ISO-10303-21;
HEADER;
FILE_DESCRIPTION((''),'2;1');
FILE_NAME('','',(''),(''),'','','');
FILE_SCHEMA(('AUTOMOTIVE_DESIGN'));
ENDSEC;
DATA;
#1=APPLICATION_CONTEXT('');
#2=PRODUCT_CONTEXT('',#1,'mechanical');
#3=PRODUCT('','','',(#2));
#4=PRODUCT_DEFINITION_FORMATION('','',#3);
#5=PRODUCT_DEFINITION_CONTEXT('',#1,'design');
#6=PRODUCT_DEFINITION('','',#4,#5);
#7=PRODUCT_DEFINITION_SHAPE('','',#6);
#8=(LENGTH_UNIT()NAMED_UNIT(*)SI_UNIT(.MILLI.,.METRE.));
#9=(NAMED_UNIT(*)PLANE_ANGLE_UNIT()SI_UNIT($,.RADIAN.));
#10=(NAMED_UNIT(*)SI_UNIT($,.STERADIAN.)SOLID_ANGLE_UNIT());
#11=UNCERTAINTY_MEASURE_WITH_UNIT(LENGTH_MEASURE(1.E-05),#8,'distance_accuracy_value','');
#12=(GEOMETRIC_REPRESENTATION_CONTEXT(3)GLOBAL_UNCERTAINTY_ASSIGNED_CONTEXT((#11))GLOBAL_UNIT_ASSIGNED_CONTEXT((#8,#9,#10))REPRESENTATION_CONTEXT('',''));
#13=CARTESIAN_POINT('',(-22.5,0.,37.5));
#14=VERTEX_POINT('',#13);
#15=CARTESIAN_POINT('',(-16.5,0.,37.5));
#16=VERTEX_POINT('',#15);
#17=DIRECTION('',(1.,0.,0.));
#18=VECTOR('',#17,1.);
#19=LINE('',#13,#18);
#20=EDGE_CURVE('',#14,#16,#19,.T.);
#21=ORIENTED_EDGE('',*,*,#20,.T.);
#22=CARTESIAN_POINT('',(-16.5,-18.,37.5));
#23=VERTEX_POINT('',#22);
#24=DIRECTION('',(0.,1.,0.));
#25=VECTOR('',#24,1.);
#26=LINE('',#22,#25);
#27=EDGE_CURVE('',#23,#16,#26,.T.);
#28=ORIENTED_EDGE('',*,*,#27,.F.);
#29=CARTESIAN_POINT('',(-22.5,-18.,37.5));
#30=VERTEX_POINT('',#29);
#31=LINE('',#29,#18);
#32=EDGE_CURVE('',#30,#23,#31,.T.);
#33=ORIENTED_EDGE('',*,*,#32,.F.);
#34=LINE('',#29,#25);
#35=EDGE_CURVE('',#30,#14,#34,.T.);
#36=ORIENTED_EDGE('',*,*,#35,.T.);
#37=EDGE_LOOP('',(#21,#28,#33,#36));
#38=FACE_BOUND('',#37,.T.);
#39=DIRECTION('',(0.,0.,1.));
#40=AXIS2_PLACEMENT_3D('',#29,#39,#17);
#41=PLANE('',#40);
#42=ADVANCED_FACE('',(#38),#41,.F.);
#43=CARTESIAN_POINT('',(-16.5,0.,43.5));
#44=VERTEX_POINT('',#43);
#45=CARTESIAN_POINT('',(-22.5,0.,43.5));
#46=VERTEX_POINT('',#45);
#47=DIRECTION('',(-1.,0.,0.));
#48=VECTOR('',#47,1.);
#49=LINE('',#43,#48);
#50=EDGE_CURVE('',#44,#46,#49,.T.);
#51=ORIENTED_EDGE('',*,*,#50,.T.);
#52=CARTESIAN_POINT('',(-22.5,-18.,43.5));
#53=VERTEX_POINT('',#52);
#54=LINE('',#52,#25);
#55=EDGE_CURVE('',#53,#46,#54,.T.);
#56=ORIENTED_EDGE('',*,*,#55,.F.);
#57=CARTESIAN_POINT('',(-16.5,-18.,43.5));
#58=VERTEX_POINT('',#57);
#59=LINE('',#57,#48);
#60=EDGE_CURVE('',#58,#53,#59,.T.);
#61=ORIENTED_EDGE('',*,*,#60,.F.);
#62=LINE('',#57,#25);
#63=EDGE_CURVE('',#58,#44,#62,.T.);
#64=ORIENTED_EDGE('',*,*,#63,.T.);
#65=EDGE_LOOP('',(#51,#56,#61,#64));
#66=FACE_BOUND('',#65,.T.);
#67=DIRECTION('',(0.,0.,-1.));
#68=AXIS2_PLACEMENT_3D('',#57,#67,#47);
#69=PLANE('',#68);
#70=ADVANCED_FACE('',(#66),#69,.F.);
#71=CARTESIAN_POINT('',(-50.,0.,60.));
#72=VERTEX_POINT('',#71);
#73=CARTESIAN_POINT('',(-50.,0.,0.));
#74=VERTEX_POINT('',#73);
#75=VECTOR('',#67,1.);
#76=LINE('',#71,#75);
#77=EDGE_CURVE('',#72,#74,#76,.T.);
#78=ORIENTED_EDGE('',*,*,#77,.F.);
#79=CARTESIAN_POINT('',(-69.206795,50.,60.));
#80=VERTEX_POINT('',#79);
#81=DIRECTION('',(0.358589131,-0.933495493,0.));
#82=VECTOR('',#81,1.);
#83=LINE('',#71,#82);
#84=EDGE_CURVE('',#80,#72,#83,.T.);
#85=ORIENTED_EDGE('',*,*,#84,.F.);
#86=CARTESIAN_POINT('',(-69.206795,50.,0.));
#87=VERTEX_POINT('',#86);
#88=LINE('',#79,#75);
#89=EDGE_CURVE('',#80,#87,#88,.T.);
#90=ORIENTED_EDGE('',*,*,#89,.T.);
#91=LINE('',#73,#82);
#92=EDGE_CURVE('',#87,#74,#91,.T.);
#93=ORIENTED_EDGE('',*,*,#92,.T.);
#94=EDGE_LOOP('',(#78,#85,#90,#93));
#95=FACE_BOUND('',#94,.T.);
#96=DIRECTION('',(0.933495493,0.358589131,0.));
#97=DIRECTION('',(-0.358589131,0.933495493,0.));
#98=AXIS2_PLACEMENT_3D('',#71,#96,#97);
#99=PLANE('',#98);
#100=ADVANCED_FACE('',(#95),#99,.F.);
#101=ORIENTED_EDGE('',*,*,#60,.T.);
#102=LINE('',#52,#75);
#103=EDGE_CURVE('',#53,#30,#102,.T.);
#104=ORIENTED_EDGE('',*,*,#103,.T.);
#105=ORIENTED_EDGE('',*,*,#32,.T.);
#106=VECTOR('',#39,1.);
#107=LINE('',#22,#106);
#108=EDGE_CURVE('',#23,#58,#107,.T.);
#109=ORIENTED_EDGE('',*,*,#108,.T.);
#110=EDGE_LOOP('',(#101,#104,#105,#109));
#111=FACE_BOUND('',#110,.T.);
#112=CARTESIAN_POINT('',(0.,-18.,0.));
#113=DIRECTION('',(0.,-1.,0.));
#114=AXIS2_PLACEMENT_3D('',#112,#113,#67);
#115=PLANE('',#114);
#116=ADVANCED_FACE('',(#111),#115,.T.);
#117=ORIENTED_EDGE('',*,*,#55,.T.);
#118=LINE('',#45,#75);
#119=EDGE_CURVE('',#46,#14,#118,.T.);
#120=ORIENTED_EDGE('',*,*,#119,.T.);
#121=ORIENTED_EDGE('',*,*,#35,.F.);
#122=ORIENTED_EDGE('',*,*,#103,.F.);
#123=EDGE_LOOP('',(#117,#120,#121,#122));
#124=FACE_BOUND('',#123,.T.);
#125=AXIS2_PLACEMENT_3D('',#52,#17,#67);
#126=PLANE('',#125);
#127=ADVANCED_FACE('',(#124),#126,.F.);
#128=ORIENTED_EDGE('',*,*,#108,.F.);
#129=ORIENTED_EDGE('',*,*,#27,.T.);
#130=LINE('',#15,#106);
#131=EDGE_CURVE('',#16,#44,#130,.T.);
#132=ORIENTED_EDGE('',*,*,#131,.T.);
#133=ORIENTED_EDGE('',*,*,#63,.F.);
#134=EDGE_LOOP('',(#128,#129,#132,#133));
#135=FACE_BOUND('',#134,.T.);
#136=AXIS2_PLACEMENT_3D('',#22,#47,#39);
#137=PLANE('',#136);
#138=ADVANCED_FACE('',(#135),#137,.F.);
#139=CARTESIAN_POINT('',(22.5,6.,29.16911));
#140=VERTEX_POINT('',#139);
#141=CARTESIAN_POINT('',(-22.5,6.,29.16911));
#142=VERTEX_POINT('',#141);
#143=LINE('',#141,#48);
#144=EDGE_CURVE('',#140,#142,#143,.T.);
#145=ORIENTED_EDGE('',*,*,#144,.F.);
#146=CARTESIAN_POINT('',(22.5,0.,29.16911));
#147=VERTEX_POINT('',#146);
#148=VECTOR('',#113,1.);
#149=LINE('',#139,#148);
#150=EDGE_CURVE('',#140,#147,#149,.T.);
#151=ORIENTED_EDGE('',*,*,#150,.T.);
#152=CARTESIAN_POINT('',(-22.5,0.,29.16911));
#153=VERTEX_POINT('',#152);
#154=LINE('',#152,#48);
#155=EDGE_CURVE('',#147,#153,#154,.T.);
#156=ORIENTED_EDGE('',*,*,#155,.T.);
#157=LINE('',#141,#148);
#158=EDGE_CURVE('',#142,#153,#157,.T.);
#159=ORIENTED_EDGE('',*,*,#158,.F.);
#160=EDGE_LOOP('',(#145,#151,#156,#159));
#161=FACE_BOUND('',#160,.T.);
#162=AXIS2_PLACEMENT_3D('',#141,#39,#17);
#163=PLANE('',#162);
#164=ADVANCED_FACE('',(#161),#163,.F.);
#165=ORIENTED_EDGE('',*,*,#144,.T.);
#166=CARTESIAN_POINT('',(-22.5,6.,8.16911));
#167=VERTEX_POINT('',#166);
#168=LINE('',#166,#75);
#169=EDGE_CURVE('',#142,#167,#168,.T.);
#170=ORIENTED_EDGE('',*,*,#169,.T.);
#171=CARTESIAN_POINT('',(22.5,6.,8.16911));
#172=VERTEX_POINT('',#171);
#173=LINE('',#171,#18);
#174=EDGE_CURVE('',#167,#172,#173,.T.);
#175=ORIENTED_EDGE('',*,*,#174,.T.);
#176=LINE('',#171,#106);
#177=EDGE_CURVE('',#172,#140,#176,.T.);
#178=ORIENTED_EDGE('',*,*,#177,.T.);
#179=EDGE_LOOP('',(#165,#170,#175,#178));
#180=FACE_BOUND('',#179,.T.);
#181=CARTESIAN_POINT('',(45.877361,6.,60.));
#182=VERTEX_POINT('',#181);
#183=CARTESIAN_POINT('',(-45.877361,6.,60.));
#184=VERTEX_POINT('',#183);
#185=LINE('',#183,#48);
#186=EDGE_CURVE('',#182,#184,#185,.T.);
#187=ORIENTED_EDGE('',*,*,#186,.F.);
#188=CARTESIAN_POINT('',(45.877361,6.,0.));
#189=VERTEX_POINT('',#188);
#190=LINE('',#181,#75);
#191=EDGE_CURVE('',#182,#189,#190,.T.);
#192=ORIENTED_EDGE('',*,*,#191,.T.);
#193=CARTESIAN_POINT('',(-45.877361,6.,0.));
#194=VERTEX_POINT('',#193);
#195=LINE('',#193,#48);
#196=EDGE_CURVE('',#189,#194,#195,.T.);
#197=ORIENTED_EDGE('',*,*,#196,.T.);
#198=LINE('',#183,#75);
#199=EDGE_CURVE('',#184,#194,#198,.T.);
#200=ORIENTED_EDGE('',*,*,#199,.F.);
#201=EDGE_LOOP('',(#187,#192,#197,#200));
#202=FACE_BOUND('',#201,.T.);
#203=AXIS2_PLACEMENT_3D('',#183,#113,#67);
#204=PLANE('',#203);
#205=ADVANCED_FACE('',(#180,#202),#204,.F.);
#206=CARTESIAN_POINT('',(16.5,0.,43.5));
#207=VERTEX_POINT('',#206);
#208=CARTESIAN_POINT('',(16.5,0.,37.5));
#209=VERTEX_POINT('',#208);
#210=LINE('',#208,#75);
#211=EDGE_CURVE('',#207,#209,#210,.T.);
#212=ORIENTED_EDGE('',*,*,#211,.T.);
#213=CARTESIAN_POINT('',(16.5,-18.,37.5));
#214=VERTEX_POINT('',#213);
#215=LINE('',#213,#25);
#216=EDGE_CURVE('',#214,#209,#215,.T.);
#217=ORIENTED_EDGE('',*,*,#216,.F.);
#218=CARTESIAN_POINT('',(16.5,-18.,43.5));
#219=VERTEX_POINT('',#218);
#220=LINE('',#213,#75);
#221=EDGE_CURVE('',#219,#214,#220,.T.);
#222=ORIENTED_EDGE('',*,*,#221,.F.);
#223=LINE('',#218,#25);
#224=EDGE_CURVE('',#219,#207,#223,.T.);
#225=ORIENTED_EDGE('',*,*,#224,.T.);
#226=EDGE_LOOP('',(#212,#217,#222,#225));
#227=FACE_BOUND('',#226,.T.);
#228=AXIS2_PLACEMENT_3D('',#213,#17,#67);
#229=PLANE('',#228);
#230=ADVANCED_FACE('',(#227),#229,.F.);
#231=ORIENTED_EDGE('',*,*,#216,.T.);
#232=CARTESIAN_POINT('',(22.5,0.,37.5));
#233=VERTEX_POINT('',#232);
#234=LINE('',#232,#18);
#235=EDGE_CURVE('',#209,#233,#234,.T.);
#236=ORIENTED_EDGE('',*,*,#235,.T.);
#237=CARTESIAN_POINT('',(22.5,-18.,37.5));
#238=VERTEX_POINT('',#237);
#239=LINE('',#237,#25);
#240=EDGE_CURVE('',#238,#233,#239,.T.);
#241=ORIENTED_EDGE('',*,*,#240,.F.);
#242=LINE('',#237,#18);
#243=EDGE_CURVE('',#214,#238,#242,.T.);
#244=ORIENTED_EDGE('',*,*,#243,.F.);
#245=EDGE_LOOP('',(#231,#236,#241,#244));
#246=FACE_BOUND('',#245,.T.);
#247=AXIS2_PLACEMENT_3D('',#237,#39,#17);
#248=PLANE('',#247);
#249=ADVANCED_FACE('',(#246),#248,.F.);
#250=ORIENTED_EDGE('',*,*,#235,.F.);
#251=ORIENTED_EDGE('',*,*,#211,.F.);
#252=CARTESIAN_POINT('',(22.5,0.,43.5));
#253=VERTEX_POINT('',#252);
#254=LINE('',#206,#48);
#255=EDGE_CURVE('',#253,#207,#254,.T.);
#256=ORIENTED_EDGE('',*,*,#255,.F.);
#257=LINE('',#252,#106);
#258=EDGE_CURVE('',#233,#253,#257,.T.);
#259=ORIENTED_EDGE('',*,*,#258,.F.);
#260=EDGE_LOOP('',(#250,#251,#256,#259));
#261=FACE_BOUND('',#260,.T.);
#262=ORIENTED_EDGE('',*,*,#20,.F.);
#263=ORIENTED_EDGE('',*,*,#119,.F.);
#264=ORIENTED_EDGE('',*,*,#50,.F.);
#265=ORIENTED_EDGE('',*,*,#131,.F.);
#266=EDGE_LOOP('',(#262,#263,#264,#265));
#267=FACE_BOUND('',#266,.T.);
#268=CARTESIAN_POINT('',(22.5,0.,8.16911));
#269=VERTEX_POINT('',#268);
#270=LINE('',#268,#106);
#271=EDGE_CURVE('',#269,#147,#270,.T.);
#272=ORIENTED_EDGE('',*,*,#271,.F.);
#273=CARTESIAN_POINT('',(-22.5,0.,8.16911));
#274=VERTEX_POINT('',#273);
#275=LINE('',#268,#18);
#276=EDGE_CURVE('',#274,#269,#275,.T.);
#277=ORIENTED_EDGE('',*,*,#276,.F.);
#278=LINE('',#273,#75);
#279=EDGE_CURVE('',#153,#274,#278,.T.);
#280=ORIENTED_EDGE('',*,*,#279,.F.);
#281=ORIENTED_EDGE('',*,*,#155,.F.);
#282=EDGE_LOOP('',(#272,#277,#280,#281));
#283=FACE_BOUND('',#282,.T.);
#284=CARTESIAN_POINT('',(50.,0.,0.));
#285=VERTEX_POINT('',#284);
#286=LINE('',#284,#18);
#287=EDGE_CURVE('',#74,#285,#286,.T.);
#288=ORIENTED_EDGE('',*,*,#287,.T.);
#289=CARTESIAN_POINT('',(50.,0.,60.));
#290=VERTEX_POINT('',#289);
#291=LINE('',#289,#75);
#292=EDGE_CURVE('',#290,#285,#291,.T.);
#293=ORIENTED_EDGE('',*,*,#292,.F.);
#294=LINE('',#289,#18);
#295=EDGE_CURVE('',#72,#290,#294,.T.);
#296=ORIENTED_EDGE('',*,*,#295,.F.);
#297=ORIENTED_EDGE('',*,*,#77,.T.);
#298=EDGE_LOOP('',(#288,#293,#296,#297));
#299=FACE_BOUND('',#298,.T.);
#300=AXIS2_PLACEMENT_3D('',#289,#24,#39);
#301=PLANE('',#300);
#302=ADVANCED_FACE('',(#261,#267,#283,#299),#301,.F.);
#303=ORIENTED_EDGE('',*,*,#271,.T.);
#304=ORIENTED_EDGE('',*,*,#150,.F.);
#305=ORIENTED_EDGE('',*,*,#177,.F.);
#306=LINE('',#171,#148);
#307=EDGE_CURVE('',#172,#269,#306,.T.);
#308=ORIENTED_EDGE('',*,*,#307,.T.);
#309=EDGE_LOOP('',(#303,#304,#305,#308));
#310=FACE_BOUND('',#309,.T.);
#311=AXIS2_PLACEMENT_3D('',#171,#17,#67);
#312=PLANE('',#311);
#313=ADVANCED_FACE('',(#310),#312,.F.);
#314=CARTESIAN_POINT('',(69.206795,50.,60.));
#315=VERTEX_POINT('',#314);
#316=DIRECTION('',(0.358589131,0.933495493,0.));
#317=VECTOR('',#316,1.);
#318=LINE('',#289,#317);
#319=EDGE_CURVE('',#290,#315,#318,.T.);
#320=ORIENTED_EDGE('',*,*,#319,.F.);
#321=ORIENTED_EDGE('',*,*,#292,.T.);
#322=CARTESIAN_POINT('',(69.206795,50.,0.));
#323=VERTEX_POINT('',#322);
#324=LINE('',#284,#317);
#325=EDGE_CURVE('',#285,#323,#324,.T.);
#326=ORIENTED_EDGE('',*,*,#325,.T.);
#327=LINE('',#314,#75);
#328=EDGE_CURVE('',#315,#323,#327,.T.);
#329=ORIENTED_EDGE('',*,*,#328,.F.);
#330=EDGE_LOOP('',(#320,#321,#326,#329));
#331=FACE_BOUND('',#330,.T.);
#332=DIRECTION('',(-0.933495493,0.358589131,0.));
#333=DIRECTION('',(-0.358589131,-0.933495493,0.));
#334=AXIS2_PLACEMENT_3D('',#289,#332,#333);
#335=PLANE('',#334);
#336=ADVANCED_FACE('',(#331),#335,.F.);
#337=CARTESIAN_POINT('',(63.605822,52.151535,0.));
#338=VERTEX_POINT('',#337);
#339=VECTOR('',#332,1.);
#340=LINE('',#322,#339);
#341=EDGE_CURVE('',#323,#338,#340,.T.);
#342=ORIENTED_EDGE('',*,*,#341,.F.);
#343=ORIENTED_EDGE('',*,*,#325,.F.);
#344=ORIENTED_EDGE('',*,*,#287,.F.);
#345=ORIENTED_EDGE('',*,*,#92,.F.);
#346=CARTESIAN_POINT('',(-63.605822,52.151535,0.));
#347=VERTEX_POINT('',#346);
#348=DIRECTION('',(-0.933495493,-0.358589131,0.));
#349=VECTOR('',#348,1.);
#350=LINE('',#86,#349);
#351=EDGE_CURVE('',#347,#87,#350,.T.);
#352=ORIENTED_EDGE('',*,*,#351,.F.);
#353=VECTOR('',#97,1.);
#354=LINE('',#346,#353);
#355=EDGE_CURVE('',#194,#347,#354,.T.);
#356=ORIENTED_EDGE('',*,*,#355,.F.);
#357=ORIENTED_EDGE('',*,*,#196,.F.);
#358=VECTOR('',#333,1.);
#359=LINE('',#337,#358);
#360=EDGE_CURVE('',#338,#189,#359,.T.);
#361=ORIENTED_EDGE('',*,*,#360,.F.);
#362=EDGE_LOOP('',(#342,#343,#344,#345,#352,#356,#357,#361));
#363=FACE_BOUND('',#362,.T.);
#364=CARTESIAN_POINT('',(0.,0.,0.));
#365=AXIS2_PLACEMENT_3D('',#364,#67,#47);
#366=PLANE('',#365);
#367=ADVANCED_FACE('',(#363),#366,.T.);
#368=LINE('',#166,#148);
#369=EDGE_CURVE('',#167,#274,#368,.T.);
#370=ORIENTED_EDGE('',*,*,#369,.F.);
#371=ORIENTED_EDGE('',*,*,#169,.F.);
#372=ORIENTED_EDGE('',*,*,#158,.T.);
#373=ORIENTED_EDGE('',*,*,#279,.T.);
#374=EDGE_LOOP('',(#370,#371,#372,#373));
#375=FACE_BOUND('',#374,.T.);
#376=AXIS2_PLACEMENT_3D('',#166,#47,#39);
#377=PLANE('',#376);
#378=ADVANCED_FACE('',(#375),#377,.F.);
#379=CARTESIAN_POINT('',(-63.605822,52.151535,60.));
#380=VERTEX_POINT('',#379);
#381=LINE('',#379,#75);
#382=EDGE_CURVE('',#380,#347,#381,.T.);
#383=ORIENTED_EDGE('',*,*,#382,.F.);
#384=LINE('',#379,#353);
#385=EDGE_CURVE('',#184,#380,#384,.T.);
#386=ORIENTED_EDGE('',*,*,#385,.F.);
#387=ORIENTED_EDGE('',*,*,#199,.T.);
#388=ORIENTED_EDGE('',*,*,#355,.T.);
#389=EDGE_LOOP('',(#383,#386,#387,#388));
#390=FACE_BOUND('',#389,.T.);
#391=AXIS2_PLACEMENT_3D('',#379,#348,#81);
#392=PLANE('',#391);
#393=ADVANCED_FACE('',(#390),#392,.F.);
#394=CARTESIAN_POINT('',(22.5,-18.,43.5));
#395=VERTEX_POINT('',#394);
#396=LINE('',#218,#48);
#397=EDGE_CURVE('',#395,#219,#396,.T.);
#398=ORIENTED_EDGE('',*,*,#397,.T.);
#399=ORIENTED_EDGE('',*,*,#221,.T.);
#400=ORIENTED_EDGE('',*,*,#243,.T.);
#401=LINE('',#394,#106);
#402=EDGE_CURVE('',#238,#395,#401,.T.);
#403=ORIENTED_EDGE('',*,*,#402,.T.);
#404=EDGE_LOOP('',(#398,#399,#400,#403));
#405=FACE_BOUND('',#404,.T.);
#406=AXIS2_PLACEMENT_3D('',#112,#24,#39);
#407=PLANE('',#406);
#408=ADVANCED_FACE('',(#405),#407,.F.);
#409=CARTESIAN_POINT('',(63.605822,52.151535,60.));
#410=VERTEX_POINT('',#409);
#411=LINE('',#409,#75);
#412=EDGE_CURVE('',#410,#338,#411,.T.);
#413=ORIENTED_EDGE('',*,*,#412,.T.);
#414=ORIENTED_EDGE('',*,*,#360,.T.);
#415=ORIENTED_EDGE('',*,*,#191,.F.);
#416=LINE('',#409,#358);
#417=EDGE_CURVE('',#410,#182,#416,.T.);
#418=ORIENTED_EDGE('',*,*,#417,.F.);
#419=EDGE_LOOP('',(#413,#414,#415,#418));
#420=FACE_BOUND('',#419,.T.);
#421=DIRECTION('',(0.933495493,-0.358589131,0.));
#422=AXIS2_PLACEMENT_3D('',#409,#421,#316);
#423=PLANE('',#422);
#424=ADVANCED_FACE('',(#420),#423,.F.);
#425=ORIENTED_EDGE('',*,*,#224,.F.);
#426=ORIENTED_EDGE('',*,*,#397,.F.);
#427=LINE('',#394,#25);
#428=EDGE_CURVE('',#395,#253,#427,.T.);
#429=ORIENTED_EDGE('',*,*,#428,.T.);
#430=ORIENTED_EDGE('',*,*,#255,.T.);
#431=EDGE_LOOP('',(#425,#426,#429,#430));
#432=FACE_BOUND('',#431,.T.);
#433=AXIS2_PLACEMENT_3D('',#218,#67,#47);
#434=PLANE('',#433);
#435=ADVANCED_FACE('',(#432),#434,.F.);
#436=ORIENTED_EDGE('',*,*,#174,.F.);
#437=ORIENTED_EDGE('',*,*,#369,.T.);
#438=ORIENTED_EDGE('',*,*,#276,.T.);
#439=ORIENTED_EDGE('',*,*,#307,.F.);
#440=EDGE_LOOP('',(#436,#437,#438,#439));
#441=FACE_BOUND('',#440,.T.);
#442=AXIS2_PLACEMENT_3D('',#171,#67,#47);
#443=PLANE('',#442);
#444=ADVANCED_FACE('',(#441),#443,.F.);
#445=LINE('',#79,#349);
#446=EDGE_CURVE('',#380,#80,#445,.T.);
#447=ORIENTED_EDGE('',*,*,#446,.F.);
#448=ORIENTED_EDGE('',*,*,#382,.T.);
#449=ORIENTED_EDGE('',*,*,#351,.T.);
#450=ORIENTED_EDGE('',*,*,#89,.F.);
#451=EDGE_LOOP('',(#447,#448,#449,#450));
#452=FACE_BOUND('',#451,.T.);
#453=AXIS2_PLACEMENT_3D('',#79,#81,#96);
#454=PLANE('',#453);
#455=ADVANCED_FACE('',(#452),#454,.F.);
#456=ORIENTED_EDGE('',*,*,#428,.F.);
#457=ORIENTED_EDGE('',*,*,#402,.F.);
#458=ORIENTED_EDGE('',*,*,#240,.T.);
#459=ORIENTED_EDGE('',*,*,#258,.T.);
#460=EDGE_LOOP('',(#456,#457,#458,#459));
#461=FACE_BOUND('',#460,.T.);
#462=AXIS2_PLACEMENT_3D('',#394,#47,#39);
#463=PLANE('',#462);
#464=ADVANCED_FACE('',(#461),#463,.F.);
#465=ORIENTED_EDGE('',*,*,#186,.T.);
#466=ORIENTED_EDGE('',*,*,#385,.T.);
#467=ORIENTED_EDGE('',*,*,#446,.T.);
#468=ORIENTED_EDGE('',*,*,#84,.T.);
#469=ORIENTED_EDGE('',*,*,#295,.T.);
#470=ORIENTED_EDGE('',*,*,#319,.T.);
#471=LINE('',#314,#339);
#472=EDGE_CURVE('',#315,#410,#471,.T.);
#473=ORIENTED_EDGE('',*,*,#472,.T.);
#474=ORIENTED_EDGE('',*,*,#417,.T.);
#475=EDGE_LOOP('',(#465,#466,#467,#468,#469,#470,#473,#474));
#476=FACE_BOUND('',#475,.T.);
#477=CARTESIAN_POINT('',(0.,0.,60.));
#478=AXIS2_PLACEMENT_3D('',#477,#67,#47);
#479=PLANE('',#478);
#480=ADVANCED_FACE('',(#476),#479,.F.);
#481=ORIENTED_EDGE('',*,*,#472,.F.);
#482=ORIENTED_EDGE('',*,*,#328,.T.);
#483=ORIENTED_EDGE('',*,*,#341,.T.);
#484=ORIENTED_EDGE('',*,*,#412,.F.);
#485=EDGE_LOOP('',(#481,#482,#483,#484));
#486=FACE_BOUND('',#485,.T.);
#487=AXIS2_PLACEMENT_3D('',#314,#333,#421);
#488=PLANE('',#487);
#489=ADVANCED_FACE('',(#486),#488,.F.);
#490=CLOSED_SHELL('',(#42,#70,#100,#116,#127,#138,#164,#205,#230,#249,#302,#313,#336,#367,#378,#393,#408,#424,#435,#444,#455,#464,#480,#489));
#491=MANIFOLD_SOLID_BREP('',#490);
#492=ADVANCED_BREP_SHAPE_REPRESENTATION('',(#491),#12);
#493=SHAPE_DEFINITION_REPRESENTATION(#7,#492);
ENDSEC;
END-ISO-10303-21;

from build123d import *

# Parameters (mm, degrees)
BOSS_EXTRUDE1_DEPTH = 60
SKETCH2_W           = 45
SKETCH2_H           = 21
CUT_EXTRUDE1_DEPTH  = 6
SKETCH3_W           = 6
SKETCH3_H           = 6
BOSS_EXTRUDE2_DEPTH = 18


with BuildPart() as part:
    # Sketch1 → Boss-Extrude1 (new body)
    with BuildSketch(Plane.XY):
        Polygon((50, 0), (-50, 0), (-69.206794991, 50), (-63.605822035, 52.151534787), (-45.877360691, 6), (45.877360691, 6), (63.605822035, 52.151534787), (69.206794991, 50), align=None)
    extrude(amount=BOSS_EXTRUDE1_DEPTH)

    # Sketch2 → Cut-Extrude1 (cut)
    with BuildSketch(Plane.XZ):
        with Locations((0, 18.669109879)):
            Rectangle(SKETCH2_W, SKETCH2_H)
    extrude(amount=-CUT_EXTRUDE1_DEPTH, mode=Mode.SUBTRACT)

    # Sketch3 → Boss-Extrude2 (add)
    with BuildSketch(Plane.XZ):
        with Locations((-19.5, 40.5)):
            Rectangle(SKETCH3_W, SKETCH3_H)
        with Locations((19.5, 40.5)):
            Rectangle(SKETCH3_W, SKETCH3_H)
    extrude(amount=BOSS_EXTRUDE2_DEPTH)


solid = part.part
